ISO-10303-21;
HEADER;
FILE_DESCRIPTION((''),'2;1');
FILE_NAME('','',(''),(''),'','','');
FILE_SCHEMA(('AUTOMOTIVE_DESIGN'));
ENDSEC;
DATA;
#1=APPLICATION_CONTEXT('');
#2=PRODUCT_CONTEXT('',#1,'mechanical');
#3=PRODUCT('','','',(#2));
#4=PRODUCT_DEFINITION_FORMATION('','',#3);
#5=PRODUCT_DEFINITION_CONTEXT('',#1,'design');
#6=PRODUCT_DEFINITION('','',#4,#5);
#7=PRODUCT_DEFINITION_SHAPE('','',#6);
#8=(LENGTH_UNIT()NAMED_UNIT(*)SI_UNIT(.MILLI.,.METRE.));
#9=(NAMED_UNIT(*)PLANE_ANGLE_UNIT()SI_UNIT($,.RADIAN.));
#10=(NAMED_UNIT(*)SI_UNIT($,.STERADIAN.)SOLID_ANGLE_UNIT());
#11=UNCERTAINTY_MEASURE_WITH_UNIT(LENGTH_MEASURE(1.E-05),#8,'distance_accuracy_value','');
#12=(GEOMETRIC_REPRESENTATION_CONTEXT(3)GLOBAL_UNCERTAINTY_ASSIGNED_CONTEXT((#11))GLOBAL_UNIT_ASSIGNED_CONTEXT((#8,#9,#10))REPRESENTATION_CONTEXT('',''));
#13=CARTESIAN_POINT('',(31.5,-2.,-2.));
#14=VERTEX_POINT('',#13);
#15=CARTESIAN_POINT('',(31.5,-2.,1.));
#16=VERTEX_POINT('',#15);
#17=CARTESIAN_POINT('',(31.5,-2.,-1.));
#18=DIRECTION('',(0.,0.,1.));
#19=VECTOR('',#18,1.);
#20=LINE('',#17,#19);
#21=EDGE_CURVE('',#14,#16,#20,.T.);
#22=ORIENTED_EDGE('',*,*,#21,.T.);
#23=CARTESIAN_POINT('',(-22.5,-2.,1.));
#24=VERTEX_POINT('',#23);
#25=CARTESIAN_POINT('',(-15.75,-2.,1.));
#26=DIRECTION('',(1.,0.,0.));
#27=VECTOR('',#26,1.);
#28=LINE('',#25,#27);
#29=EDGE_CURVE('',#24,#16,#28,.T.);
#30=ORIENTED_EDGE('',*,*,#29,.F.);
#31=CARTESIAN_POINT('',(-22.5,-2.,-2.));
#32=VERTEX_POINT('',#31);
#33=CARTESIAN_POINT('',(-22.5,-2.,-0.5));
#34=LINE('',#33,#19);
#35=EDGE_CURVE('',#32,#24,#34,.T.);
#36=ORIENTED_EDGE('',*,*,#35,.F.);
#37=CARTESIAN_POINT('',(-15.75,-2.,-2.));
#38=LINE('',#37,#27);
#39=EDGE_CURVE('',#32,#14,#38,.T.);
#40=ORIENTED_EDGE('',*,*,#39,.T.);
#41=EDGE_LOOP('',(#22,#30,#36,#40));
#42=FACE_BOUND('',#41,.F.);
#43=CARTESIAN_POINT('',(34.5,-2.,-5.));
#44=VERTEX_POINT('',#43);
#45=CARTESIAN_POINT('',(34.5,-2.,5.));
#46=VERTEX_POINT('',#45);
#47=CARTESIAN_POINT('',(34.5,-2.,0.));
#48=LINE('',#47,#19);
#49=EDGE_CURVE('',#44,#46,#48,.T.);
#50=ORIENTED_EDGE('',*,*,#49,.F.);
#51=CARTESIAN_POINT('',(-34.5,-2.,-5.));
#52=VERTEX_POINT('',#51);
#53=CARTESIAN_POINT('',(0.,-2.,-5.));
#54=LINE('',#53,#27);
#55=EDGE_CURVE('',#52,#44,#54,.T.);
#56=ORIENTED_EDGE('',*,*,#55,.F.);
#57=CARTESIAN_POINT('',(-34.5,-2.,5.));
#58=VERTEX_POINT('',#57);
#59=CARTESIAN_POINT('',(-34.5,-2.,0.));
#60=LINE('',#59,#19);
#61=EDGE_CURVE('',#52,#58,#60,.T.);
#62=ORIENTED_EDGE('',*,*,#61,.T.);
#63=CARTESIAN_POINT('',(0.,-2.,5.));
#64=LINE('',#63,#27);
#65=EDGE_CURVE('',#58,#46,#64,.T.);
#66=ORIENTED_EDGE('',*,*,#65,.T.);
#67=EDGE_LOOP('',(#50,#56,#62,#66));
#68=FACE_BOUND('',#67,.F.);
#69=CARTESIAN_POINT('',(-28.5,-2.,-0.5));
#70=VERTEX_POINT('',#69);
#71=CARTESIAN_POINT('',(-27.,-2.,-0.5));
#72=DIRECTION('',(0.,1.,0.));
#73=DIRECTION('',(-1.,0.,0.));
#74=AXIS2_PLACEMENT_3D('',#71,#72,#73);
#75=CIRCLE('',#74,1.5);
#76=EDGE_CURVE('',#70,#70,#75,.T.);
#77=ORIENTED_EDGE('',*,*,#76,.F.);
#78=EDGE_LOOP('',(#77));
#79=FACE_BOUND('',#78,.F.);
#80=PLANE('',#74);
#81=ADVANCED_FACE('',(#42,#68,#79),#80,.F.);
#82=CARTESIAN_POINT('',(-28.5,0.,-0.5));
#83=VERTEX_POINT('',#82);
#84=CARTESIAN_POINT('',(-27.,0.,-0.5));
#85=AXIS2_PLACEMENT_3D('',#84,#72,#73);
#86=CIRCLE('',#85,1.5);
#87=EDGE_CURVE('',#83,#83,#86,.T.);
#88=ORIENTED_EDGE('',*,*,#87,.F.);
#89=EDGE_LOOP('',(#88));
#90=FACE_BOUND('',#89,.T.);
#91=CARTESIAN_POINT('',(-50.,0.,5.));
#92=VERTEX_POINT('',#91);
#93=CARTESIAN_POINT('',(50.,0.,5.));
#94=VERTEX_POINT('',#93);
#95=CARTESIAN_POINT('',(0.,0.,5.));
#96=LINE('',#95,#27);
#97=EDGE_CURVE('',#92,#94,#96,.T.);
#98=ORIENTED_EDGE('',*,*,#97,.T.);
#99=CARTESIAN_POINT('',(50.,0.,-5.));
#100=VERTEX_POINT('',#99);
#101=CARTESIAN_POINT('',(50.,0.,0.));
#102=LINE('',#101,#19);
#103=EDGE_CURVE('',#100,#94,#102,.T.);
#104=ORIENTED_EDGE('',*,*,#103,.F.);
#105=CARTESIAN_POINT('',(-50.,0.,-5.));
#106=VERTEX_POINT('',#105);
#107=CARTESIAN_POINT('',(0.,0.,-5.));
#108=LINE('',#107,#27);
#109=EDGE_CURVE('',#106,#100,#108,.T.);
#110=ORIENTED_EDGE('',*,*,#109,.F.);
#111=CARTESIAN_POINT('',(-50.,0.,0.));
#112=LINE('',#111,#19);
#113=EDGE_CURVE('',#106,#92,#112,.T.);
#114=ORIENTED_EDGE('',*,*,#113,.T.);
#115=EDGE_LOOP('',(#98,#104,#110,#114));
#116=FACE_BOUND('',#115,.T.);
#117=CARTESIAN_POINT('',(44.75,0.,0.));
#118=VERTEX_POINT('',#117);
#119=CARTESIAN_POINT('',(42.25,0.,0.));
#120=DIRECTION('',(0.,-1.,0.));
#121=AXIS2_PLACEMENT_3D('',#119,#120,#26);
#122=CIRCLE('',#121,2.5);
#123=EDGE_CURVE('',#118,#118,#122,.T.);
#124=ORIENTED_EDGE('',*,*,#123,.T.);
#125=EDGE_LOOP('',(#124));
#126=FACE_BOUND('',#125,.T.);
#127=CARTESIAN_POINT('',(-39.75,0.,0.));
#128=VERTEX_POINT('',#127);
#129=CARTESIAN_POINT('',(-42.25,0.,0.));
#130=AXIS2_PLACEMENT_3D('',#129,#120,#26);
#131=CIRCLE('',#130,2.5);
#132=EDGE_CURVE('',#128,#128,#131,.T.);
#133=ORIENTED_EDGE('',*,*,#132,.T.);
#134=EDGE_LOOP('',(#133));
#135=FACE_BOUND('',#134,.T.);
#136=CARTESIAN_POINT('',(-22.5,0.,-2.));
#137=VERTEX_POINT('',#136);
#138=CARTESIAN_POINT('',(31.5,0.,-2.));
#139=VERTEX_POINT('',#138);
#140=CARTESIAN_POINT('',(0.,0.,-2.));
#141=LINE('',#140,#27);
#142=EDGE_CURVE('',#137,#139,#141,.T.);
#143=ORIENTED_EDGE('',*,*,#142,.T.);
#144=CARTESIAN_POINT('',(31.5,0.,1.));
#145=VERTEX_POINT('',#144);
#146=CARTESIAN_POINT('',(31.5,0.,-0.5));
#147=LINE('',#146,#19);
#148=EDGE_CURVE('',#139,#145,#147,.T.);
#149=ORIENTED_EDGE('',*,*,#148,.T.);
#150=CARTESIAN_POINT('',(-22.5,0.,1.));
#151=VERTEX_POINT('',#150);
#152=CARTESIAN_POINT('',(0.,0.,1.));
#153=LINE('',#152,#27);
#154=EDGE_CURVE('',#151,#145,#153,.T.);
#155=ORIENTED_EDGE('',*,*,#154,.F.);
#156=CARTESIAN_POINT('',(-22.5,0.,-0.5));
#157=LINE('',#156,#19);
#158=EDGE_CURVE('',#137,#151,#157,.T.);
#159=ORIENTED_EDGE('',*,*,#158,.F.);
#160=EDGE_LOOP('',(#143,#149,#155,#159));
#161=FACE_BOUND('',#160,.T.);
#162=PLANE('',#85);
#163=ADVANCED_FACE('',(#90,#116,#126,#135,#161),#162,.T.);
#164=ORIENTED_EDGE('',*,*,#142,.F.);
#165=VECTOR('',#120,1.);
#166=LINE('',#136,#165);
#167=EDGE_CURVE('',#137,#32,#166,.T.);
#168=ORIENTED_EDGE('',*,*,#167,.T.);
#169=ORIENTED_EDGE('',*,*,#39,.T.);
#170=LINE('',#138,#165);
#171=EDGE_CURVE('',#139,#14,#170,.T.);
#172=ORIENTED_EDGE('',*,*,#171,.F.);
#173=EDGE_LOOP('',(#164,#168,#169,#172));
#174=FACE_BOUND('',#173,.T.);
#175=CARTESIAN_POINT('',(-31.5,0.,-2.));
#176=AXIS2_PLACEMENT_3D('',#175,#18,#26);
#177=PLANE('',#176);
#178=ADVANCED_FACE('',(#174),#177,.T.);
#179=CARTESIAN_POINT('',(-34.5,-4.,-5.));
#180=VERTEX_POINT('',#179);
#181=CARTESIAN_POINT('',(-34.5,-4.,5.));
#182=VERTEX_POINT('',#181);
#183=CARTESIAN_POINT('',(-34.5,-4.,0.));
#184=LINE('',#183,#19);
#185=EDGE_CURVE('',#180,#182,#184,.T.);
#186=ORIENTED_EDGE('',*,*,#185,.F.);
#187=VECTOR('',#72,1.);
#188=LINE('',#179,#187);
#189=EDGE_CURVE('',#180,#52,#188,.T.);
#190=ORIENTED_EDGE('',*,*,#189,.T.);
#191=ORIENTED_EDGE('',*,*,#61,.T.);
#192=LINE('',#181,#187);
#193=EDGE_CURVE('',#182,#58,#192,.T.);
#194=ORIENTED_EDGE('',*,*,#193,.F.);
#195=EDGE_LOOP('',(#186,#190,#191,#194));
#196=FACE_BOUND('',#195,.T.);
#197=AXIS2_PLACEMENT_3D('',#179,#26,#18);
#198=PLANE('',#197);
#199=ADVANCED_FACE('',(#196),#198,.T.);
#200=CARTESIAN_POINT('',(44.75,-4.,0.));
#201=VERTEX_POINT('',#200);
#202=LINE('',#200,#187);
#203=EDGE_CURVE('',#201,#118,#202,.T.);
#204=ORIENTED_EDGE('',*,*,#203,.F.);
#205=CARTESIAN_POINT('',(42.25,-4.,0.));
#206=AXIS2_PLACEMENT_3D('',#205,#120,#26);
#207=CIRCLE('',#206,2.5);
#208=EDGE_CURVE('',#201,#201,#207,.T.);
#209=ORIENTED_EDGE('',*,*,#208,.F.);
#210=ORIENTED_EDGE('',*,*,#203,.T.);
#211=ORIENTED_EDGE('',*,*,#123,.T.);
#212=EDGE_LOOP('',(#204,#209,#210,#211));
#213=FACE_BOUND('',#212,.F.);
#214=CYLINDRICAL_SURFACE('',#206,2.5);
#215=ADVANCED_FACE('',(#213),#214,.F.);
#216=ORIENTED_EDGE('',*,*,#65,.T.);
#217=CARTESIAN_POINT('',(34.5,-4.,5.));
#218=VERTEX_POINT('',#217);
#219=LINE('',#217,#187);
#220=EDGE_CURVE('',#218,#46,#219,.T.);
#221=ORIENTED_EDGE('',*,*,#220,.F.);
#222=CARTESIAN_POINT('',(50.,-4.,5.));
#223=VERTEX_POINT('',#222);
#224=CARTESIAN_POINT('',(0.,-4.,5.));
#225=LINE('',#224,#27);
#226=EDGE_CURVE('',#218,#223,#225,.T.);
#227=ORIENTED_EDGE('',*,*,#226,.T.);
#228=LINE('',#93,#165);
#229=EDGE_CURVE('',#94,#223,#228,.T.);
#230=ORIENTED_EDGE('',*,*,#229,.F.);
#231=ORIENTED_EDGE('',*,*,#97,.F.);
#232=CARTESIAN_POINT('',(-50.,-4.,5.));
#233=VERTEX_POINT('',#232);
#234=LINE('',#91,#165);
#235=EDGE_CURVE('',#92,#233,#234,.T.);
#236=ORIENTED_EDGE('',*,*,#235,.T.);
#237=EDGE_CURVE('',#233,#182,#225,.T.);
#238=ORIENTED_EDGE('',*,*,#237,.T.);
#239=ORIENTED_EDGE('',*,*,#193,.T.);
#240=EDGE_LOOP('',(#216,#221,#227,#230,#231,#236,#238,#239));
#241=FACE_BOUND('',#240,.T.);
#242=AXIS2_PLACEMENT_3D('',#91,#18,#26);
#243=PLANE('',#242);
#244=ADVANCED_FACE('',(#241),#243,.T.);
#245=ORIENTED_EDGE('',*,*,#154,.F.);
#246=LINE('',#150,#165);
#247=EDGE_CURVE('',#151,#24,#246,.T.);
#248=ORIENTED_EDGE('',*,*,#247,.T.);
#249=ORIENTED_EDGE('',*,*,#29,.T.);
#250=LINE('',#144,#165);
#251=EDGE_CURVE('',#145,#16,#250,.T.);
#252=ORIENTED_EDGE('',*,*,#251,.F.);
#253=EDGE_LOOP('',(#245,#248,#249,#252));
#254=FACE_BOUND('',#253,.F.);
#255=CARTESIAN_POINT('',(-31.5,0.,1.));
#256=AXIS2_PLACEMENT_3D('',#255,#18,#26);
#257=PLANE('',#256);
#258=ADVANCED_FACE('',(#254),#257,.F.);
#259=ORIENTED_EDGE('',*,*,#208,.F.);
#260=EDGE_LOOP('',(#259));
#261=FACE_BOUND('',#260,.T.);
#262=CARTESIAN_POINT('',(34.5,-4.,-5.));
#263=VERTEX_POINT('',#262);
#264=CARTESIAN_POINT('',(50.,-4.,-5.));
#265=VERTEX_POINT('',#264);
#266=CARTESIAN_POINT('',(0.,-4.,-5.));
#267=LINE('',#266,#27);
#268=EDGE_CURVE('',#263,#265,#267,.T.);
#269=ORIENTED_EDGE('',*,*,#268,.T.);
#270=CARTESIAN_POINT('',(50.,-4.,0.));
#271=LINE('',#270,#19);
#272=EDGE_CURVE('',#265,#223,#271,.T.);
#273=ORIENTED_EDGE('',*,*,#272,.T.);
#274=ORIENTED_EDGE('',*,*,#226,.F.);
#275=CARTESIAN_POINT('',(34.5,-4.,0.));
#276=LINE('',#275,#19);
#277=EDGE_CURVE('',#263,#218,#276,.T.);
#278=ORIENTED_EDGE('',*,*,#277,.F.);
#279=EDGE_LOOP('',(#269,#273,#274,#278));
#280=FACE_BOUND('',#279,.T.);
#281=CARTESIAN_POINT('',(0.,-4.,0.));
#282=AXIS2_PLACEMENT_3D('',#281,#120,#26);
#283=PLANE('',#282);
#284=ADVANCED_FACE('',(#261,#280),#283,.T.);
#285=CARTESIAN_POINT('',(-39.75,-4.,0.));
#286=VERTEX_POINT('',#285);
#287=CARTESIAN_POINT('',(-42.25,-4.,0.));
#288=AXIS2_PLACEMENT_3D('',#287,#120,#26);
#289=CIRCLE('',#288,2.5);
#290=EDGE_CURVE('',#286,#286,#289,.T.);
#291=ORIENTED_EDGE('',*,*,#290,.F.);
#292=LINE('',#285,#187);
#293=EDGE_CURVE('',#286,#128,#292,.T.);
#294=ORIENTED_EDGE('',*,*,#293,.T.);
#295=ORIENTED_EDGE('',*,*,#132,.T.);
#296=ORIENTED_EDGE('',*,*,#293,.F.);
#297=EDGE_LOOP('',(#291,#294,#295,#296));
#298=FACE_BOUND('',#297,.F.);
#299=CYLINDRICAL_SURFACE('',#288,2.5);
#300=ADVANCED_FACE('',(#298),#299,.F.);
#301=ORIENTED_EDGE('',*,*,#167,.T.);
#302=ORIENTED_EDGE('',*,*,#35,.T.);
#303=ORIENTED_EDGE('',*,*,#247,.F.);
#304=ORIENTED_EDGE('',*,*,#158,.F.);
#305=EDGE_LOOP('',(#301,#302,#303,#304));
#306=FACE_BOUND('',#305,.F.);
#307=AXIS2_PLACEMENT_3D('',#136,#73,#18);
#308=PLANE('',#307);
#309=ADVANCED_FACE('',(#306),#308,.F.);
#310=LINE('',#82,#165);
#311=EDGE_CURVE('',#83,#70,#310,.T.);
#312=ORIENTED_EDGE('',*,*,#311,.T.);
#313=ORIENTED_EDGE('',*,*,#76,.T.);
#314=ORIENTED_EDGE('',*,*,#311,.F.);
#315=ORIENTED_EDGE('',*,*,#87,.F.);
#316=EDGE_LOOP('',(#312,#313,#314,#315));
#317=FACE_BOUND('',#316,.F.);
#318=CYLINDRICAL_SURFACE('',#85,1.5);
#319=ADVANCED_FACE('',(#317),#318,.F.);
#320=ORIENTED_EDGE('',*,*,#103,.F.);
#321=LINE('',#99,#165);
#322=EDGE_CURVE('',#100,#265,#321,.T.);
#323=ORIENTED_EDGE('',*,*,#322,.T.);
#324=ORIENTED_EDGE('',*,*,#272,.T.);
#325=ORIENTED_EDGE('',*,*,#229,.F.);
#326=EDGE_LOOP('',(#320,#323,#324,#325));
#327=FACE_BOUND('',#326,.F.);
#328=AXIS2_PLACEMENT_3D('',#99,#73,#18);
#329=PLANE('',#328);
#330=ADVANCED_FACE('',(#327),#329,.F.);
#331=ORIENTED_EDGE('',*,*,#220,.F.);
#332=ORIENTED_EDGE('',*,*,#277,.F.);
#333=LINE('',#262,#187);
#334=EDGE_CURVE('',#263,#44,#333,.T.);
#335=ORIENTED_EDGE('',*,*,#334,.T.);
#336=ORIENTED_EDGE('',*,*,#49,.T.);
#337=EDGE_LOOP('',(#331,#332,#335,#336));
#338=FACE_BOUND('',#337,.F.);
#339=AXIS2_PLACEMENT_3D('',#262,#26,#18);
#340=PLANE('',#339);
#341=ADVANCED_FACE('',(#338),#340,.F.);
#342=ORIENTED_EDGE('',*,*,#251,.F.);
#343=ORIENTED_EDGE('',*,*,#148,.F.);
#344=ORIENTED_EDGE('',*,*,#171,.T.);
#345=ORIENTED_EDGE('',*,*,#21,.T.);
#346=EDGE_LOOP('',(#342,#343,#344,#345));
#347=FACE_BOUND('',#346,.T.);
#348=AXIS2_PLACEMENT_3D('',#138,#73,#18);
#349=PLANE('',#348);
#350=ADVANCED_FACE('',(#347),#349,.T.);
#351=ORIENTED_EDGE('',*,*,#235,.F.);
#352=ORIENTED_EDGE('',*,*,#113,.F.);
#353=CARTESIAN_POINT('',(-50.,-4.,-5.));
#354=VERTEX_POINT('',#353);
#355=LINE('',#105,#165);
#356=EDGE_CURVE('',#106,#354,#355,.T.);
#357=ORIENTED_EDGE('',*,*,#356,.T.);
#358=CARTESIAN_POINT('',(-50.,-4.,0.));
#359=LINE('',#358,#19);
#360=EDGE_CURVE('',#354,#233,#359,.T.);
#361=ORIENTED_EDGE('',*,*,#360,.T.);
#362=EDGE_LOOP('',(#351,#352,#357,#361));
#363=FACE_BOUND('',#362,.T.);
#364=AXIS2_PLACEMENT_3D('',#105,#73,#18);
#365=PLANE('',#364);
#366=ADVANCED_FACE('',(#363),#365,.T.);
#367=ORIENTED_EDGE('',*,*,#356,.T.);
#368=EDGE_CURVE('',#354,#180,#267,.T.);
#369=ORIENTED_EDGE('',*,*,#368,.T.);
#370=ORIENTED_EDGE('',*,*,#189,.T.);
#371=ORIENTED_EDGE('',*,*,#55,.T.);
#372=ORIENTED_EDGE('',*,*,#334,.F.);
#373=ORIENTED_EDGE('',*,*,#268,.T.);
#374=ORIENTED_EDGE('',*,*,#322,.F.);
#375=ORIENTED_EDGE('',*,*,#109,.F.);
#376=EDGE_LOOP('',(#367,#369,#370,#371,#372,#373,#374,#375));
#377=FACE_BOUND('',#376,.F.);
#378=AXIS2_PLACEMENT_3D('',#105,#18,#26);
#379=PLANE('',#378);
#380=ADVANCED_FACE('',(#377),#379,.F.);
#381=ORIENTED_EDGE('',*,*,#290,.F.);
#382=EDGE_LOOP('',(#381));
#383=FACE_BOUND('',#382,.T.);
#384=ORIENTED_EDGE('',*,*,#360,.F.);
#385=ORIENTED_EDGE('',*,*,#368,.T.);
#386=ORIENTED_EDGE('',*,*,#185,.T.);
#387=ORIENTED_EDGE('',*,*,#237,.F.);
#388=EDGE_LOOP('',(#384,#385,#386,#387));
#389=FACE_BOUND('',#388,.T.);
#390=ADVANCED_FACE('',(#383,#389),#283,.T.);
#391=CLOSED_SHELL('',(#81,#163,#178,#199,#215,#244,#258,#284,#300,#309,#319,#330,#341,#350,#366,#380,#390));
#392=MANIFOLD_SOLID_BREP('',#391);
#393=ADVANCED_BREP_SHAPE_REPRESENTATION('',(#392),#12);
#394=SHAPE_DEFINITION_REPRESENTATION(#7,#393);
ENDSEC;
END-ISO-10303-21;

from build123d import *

# Parameters (mm, degrees)
F0_W      = 100
F0_H      = 10
F0_W_2    = 63
F0_H_2    = 3
F1_DEPTH  = 4
F2_W      = 69
F2_H      = 10
F3_DEPTH  = 2
F4_R      = 2.5
F5_DEPTH  = 25
F6_R      = 2.5
F7_DEPTH  = 25
F8_W      = 9
F8_H      = 3
F9_DEPTH  = 2
F10_R     = 1.5
F11_DEPTH = 25


with BuildPart() as f1:
    # F0 (on Front) → F1 (new body)
    with BuildSketch(Plane.XZ):
        Rectangle(F0_W, F0_H)
        with Locations((0, -0.5)):
            Rectangle(F0_W_2, F0_H_2, mode=Mode.SUBTRACT)
    extrude(amount=F1_DEPTH)

    # F2 (on face) → F3 (cut)
    with BuildSketch(Plane.XZ.offset(4)):
        Rectangle(F2_W, F2_H)
    extrude(amount=-F3_DEPTH, mode=Mode.SUBTRACT)

    # F4 (on face) → F5 (cut)
    with BuildSketch(Plane.XZ.offset(4)):
        with Locations((-42.25, 0)):
            Circle(F4_R)
    extrude(amount=-F5_DEPTH, mode=Mode.SUBTRACT)

    # F6 (on face) → F7 (cut)
    with BuildSketch(Plane.XZ.offset(4)):
        with Locations((42.25, 0)):
            Circle(F6_R)
    extrude(amount=-F7_DEPTH, mode=Mode.SUBTRACT)

    # F8 (on face) → F9 (join)
    with BuildSketch(Plane(origin=(0, 0, 0), x_dir=(-1, 0, 0), z_dir=(0, 1, 0))):
        with Locations((27, -0.5)):
            Rectangle(F8_W, F8_H)
    extrude(amount=-F9_DEPTH)

    # F10 (on face) → F11 (cut)
    with BuildSketch(Plane(origin=(0, 0, 0), x_dir=(-1, 0, 0), z_dir=(0, 1, 0))):
        with Locations((27, -0.5)):
            Circle(F10_R)
    extrude(amount=-F11_DEPTH, mode=Mode.SUBTRACT)


solid = f1.part
